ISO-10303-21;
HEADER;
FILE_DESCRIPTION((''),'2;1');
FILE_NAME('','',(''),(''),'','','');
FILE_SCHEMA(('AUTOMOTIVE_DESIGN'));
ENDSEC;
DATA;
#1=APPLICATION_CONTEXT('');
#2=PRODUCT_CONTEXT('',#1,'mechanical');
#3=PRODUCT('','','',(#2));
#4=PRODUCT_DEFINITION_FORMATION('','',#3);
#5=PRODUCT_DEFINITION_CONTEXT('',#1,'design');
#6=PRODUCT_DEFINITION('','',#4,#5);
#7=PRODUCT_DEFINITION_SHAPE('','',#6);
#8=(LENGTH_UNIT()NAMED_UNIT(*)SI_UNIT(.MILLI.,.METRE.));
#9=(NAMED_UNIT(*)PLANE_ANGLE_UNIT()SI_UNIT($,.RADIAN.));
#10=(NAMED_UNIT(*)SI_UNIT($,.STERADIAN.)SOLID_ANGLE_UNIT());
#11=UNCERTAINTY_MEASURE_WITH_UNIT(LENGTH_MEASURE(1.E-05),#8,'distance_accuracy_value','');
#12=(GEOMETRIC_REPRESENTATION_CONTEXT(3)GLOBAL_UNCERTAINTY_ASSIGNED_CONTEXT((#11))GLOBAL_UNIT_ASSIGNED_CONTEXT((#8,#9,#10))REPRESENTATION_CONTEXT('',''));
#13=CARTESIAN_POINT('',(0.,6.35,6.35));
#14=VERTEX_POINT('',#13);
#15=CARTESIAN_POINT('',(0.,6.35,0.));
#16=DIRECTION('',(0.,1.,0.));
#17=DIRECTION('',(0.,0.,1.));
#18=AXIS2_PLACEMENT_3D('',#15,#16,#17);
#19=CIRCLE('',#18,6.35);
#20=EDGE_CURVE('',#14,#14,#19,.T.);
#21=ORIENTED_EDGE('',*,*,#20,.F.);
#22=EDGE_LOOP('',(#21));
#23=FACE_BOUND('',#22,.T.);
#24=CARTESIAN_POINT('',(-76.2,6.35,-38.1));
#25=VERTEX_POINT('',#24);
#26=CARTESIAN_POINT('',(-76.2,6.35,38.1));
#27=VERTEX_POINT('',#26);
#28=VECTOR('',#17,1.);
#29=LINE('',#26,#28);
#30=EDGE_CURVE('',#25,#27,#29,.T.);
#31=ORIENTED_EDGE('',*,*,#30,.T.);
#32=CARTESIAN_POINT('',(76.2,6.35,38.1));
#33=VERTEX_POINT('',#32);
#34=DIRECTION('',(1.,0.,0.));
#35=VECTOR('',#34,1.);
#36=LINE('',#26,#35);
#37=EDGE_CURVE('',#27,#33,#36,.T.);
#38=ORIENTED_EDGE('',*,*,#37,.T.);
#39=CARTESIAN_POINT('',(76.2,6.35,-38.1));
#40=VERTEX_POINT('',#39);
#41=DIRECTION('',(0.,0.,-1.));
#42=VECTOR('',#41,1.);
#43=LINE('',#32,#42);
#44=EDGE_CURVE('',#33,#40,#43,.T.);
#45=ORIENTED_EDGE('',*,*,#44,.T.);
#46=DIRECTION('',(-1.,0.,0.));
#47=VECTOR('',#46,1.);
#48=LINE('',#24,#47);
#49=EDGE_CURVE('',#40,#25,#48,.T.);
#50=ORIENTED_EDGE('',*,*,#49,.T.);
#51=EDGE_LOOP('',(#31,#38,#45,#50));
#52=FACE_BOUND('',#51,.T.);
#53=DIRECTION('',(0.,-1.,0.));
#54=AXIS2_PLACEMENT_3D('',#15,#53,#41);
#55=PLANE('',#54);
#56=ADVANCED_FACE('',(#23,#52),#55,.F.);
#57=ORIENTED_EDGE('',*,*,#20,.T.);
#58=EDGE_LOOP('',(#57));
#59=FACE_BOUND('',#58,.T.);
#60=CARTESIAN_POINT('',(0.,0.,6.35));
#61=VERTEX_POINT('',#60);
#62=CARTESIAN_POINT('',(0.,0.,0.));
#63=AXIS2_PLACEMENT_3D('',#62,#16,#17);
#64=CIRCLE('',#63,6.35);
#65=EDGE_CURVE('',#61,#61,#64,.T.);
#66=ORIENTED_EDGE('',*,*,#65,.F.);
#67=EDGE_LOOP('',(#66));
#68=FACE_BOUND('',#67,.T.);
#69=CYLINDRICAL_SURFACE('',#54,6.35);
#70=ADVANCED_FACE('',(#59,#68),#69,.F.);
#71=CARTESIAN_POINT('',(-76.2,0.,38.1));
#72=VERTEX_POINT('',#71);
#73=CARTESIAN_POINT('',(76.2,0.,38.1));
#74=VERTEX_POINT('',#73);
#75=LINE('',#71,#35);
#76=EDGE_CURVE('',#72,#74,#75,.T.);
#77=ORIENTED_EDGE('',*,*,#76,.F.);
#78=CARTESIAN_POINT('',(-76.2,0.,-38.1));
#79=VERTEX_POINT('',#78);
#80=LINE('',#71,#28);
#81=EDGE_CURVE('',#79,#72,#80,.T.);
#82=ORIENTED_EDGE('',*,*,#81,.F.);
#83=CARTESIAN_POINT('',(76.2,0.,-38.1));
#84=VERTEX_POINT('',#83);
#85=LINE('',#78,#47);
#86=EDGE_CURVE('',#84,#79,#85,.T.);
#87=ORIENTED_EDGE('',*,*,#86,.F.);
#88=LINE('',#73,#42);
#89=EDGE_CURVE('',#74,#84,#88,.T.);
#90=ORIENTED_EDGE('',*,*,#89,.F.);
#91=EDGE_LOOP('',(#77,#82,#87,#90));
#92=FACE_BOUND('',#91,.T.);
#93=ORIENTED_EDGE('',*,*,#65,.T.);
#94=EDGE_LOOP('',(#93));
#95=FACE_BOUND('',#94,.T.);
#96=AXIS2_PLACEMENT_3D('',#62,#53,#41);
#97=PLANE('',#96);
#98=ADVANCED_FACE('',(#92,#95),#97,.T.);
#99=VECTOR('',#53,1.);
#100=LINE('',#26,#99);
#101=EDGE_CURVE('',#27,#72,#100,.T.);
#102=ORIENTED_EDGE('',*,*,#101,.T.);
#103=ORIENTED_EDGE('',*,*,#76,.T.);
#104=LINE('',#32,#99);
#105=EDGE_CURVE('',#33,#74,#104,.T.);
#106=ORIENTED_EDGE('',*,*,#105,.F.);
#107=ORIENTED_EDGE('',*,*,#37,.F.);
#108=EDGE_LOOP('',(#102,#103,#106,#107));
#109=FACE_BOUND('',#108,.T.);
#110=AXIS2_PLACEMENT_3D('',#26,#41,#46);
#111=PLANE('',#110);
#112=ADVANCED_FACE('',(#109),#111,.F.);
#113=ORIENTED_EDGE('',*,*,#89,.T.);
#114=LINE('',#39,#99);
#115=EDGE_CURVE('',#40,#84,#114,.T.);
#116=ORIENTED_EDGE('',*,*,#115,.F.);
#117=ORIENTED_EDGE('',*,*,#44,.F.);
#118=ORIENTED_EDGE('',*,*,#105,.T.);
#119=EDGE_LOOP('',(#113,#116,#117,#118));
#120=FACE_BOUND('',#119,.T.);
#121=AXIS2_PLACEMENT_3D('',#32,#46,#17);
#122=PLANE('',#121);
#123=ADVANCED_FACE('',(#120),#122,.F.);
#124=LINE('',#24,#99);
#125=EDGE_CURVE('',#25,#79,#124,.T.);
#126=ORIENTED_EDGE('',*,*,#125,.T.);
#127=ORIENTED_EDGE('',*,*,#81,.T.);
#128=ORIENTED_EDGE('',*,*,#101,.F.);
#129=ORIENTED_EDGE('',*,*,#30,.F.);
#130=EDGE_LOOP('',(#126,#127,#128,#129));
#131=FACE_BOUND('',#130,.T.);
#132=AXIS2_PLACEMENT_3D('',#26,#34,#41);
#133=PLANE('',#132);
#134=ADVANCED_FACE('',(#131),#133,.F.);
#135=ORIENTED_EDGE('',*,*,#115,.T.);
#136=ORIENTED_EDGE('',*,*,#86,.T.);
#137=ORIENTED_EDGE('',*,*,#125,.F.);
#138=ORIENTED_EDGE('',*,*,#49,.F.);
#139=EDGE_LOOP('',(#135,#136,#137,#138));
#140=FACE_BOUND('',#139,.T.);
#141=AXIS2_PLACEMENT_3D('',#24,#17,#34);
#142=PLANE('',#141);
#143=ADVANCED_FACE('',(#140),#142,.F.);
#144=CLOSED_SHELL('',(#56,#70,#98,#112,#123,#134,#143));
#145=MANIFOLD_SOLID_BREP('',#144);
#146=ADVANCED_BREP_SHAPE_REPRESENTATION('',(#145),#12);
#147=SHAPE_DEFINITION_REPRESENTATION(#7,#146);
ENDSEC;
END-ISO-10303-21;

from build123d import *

# Parameters (mm, degrees)
SKETCH1_W           = 152.4
SKETCH1_H           = 76.2
SKETCH1_R           = 6.35
BOSS_EXTRUDE1_DEPTH = 6.35


with BuildPart() as part:
    # Sketch1 → Boss-Extrude1 (new body)
    with BuildSketch(Plane(origin=(0, 0, 0), x_dir=(1, 0, 0), z_dir=(0, 1, 0))):
        Rectangle(SKETCH1_W, SKETCH1_H)
        with Locations(Location((0, 0, 0), (0, 0, 270))):
            Circle(SKETCH1_R, mode=Mode.SUBTRACT)
    extrude(amount=BOSS_EXTRUDE1_DEPTH)


solid = part.part
